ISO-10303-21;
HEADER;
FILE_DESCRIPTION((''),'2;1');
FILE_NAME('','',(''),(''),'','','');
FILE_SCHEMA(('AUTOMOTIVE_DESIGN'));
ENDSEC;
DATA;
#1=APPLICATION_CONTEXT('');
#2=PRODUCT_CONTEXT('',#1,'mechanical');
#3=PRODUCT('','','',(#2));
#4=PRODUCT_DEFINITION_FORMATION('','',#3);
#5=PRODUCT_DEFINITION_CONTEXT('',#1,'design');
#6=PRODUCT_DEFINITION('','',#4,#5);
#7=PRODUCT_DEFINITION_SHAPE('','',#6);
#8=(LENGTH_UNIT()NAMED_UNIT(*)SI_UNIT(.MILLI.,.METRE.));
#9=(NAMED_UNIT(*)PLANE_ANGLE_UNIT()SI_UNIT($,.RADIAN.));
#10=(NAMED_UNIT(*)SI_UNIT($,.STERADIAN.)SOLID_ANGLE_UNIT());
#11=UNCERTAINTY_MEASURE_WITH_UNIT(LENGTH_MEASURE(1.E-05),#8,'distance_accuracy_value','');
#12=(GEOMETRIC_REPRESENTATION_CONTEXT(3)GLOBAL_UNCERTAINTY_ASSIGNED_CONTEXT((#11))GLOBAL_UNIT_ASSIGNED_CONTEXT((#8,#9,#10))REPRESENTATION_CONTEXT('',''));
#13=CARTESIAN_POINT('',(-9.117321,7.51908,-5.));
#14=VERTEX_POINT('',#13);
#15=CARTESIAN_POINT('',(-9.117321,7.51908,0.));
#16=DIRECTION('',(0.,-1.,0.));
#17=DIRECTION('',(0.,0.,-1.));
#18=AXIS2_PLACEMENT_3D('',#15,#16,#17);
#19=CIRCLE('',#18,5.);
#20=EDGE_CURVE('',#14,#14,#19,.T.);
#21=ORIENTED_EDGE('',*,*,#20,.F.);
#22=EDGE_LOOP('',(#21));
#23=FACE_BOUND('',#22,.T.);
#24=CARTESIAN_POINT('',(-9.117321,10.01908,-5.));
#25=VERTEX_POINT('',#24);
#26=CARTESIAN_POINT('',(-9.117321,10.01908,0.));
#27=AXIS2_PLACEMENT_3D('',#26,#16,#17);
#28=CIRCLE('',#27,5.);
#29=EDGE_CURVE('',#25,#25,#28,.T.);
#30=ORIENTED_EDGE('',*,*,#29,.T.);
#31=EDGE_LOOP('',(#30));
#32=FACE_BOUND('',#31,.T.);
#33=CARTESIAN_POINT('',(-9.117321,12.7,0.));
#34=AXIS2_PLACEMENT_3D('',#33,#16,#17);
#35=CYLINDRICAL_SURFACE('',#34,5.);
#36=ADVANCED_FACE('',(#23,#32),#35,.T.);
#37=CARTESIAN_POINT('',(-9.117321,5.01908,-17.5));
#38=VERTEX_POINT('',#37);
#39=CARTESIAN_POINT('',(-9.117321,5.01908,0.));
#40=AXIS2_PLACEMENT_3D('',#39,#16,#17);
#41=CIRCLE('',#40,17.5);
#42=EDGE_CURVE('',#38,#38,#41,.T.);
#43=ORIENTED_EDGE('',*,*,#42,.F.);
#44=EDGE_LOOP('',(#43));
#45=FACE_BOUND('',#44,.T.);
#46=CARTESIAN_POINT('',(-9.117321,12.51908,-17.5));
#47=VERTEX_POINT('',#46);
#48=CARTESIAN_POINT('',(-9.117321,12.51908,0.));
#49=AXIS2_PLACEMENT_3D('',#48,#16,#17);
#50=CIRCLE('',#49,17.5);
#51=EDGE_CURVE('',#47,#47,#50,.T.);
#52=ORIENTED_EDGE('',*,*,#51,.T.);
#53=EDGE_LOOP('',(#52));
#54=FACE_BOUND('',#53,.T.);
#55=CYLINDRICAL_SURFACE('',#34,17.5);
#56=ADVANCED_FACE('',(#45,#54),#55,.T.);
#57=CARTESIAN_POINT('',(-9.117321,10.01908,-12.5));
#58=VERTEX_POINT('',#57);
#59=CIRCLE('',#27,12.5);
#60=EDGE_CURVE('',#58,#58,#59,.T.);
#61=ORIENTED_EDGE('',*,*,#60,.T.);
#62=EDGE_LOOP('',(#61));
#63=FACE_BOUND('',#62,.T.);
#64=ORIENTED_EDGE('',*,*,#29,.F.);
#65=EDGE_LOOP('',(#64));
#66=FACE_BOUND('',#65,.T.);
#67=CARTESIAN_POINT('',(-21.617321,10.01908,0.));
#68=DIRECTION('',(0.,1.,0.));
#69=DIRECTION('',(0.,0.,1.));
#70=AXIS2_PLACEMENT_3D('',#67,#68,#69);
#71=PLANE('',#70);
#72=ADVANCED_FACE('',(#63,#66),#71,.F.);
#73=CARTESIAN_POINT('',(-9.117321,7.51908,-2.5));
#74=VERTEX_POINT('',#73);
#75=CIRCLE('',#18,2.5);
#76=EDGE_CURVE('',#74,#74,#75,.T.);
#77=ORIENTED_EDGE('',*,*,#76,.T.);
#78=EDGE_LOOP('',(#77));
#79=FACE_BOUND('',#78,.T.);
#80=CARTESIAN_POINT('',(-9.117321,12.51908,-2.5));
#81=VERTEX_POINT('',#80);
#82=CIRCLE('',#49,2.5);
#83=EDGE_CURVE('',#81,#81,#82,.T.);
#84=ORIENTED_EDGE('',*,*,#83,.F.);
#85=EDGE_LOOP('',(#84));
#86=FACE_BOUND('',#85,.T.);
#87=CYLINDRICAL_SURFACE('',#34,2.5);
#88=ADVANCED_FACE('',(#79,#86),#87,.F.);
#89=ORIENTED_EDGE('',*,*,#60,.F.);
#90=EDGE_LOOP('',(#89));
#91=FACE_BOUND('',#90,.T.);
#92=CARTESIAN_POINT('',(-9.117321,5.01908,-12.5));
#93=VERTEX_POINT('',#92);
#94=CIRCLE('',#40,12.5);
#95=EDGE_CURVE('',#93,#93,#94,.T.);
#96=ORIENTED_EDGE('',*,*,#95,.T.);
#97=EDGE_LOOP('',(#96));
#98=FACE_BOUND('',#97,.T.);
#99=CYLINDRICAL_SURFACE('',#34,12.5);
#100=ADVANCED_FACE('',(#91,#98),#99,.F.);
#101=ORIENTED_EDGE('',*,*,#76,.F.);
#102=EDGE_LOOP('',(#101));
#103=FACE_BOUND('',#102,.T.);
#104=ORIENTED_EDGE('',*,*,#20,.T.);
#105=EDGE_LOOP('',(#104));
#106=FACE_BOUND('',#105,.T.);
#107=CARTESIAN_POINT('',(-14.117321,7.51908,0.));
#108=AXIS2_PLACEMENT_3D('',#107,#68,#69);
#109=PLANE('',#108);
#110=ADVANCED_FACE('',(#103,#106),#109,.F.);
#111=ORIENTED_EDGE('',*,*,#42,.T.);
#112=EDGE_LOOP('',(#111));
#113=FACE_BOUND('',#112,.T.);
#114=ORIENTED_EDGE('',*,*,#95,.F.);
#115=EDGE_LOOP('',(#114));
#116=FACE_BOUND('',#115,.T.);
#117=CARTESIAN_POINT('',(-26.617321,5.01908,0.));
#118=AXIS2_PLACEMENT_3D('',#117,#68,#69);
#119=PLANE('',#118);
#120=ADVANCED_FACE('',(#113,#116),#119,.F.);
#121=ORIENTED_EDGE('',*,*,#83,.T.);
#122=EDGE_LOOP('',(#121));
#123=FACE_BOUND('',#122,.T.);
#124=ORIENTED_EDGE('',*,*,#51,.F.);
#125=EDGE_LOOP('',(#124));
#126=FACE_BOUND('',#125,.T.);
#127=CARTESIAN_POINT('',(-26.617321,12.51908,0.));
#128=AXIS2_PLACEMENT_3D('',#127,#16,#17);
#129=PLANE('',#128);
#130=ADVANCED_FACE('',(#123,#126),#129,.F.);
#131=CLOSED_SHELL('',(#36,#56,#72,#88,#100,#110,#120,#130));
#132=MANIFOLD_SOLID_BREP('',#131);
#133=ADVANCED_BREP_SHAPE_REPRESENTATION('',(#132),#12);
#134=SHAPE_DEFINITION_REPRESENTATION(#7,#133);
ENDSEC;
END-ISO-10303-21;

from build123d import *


with BuildPart() as part:
    # Sketch1 → Revolve1 (revolve)
    with BuildSketch(Plane.XY, mode=Mode.PRIVATE) as revolve1_sk:
        Polygon((-14.117321316, 7.519080488), (-11.617321316, 7.519080488), (-11.617321316, 12.519080488), (-26.617321316, 12.519080488), (-26.617321316, 5.019080488), (-21.617321316, 5.019080488), (-21.617321316, 10.019080488), (-14.117321316, 10.019080488), align=None)
    revolve(revolve1_sk.sketch.rotate(Axis((-9.117321316, 12.7, 0), (0, 1, 0)), 270), axis=Axis((-9.117321316, 12.7, 0), (0, 1, 0)))


solid = part.part
